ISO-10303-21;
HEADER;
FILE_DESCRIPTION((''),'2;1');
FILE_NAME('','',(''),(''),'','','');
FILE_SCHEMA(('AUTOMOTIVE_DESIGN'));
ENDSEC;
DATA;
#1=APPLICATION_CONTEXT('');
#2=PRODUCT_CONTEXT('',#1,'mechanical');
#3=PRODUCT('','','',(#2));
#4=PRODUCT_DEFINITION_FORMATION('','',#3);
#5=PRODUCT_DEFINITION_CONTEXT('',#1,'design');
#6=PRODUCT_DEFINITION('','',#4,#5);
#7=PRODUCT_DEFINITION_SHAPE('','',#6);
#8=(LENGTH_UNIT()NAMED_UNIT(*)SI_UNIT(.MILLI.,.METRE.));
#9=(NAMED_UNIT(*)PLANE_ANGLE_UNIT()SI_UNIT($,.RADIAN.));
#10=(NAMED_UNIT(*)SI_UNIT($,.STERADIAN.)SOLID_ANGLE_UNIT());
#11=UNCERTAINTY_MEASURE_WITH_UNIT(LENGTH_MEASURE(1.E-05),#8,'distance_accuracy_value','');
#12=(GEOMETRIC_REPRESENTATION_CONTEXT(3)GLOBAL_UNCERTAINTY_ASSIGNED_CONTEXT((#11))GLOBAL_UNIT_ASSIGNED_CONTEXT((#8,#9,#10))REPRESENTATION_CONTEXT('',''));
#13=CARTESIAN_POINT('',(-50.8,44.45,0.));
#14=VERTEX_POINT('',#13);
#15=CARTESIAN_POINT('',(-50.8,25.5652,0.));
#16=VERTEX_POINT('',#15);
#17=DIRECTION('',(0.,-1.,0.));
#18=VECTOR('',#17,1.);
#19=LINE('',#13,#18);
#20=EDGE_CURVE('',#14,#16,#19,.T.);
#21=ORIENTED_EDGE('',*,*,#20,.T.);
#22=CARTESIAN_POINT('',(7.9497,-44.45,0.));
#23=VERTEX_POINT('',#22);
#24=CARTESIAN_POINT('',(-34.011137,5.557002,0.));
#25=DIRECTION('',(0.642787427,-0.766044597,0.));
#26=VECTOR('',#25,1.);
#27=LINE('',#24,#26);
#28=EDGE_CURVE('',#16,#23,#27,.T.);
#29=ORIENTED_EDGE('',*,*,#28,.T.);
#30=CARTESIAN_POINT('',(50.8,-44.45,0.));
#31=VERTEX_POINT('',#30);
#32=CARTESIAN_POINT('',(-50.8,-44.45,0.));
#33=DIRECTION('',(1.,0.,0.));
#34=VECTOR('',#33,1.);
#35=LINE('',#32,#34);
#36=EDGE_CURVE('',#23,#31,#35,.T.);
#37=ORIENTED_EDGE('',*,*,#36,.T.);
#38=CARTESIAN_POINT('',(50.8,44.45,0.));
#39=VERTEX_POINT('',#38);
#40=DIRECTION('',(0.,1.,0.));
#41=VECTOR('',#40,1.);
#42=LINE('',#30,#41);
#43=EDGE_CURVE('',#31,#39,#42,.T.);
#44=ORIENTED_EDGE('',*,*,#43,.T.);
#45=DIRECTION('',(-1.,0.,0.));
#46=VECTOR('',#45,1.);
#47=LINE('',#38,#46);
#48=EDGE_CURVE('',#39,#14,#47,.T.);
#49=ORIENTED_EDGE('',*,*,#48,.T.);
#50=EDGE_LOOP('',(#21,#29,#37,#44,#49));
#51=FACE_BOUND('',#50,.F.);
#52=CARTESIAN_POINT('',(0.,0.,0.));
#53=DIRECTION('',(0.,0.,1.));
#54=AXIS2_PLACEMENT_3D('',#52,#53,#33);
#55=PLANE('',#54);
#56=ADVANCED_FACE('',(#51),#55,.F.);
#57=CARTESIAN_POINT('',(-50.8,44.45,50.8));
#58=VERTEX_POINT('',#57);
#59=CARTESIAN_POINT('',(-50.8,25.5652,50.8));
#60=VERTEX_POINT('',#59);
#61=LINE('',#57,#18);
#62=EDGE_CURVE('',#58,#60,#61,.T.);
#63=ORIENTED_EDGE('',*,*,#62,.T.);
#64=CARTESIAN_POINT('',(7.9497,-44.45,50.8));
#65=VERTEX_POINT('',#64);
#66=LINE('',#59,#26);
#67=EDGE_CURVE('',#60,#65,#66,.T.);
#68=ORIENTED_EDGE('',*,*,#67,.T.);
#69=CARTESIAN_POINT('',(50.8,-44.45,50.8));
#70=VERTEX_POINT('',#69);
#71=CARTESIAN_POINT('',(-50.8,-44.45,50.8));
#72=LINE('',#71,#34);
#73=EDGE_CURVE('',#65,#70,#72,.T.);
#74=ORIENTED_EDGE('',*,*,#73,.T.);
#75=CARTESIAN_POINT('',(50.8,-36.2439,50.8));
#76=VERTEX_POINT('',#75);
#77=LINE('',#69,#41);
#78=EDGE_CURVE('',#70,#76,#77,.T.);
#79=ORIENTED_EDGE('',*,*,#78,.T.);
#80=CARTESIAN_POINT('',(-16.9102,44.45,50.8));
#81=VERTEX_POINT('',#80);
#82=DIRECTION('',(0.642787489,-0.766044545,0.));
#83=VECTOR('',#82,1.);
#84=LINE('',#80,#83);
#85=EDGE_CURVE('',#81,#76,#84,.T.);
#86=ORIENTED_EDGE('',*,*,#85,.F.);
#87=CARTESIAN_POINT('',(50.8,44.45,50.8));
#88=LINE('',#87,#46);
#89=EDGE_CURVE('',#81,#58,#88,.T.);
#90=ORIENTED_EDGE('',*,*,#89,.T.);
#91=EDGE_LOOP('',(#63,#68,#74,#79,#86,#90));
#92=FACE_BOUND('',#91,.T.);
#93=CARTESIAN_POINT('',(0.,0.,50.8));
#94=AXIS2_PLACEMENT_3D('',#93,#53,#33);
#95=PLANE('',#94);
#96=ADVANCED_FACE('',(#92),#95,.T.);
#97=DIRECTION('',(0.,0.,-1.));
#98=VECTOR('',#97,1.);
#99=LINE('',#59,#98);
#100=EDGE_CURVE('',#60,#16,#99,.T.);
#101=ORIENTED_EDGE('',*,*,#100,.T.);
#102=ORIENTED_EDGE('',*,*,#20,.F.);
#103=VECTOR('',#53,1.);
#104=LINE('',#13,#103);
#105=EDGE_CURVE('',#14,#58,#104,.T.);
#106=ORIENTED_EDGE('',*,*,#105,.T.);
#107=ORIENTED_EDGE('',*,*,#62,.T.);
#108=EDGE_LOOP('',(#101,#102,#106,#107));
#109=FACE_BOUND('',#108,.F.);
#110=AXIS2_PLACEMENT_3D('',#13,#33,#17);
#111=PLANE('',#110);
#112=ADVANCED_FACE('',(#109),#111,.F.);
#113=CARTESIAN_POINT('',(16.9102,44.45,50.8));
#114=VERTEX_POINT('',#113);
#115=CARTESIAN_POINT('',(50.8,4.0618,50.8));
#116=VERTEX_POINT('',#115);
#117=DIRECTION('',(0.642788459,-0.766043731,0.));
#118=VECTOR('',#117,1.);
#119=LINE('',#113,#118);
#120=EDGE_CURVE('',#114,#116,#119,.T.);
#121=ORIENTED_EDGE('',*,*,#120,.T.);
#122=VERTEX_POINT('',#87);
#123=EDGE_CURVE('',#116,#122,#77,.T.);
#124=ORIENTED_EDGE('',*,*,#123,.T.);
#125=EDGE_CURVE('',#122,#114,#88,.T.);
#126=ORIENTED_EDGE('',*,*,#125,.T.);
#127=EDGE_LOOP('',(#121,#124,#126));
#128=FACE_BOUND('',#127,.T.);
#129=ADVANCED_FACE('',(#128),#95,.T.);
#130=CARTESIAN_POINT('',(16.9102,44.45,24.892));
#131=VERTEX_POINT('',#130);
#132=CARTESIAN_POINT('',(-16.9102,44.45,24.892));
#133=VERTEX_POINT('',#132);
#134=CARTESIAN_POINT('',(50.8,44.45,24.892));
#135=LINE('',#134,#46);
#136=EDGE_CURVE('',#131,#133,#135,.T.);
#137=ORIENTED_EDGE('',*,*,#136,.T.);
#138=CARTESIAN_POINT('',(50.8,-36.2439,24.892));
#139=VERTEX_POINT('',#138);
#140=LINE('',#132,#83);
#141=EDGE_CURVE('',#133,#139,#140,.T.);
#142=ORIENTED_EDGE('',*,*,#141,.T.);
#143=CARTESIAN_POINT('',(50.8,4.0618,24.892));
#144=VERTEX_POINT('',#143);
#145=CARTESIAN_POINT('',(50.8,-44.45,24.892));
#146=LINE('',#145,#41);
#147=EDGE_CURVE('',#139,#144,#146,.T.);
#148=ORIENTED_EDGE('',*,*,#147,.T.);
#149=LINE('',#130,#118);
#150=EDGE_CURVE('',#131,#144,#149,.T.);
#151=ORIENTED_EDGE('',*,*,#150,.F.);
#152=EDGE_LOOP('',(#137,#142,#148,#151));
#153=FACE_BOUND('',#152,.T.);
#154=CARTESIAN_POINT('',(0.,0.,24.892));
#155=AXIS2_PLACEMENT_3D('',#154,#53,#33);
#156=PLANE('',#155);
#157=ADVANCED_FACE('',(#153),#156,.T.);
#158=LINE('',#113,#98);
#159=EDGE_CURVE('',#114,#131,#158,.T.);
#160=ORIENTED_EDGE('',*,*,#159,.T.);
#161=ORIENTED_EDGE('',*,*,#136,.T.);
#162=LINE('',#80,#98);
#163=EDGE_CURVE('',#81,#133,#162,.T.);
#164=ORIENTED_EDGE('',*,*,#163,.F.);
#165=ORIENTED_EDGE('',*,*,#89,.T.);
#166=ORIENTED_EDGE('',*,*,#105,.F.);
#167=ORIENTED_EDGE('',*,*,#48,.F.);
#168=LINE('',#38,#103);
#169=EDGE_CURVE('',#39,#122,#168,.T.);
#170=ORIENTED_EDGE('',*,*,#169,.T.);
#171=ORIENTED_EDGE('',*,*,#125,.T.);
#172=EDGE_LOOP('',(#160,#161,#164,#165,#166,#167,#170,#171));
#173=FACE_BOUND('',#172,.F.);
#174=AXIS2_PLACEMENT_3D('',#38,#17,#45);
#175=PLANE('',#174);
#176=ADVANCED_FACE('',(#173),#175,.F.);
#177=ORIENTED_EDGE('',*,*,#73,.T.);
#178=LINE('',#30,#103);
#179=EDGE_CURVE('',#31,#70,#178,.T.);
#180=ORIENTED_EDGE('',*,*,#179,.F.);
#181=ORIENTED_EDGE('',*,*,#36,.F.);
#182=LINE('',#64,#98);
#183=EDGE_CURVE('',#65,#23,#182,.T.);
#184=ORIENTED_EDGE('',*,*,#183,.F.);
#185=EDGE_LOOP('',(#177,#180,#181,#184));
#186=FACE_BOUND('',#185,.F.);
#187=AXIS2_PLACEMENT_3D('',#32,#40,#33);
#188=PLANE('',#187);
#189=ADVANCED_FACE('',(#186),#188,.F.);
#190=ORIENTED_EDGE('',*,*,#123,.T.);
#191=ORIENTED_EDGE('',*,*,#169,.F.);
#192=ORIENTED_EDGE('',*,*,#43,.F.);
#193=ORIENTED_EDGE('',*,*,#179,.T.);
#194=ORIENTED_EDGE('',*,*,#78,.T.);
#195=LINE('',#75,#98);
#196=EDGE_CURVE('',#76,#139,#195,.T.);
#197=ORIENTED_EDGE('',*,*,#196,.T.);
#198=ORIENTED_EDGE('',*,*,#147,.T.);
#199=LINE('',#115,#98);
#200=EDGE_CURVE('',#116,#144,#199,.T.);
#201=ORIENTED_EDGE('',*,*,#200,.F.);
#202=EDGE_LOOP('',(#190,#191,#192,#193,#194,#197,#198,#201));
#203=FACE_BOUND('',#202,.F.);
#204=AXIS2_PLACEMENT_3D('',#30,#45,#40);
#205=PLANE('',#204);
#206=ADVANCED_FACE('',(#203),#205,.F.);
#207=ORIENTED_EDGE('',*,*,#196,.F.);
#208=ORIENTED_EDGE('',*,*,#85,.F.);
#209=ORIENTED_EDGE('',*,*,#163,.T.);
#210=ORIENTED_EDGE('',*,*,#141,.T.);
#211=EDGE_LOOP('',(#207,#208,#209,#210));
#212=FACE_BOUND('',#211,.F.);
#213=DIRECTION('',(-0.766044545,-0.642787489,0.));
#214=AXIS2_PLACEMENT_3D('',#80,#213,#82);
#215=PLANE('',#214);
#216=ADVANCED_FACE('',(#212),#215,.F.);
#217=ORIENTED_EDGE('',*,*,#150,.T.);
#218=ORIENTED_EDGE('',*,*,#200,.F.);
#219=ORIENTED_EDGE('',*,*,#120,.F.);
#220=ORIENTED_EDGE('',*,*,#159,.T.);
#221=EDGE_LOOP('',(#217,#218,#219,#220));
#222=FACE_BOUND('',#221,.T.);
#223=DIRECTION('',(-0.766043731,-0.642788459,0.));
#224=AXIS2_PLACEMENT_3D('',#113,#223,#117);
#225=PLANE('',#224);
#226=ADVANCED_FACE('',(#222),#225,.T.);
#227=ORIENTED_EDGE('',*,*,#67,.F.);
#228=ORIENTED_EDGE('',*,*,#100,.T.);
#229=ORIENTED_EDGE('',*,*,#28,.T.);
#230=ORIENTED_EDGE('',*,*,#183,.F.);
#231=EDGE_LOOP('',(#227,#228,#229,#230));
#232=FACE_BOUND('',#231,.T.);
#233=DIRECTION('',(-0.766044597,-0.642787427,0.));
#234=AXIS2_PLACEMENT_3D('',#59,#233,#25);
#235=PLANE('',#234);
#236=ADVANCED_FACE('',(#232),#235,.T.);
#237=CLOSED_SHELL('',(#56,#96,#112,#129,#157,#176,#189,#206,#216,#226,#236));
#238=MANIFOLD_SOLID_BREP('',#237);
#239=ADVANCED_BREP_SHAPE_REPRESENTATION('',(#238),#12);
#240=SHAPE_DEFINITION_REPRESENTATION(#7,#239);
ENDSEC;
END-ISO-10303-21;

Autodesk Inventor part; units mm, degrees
ref_plane "YZ Plane" through (0, 0, 0) normal (1, 0, 0) x (0, 1, 0)
ref_plane "XZ Plane" through (0, 0, 0) normal (0, 1, 0) x (-1, 0, 0)
ref_plane "XY Plane" through (0, 0, 0) normal (0, 0, 1) x (1, 0, 0)
sketch "Sketch1" plane through (0, 0, 0) normal (0, 0, 1) x (1, 0, 0)
  line L0 (-50.8, -44.45) -> (50.8, -44.45)
  line L1 (50.8, -44.45) -> (50.8, 44.45)
  line L2 (50.8, 44.45) -> (-50.8, 44.45)
  line L3 (-50.8, 44.45) -> (-50.8, -44.45)
  line L4 (-50.8, -44.45) -> (50.8, 44.45) construction
  line L5 (50.8, -44.45) -> (-50.8, 44.45) construction
  point P0 (0, 0)
  dimension "d0" = 101.6
  dimension "d1" = 88.9
extrude "Extrusion1" add sketch "Sketch1" along normal blind 50.8
sketch "Sketch2" plane through (0, 0, 50.8) normal (0, 0, 1) x (1, 0, 0)
  line L0 (50.8, 44.45) -> (-50.8, 44.45) projected
  line L1 (0, 44.45) -> (50.8, -16.0911) construction
  line L2 (50.8, -44.45) -> (50.8, 44.45) projected
  line L3 (0, 44.45) -> (79.0308, 44.45) construction
  line L4 (16.9102, 44.45) -> (50.8, 4.0618)
  line L5 (-16.9102, 44.45) -> (50.8, -36.2439)
  line L6 (-16.9102, 44.45) -> (16.9102, 44.45)
  line L7 (50.8, 4.0618) -> (50.8, -36.2439)
  point P0 (0, 0)
  dimension "d4" = 50
  dimension "d5" = 12.954
  dimension "d15" = 12.954
extrude "Extrusion2" cut sketch "Sketch2" against normal blind 25.908 contours L4 L2 L5 L0
sketch "Sketch3" plane through (0, 0, 50.8) normal (0, 0, 1) x (1, 0, 0)
  line L0 (50.8, -36.2439) -> (-16.9102, 44.45) projected
  line L1 (-50.8, 44.45) -> (-50.8, -44.45) projected
  line L2 (-50.8, 25.5652) -> (7.9497, -44.45)
  line L3 (-50.8, -44.45) -> (50.8, -44.45) projected
  line L4 (7.9497, -44.45) -> (-50.8, -44.45)
  line L5 (-50.8, -44.45) -> (-50.8, 25.5652)
  point P0 (0, 0)
  dimension "d16" = 38.1
extrude "Extrusion3" cut sketch "Sketch3" against normal through all
equation "\"d5\" = 0.5 * widthFor1inch"
equation "\"d15\" = 0.5 * widthFor1inch"
equation "\"d7\" = widthFor1inch"
equation "\"widthFor1inch\" = 25.908"
properties part number "jjig02"
